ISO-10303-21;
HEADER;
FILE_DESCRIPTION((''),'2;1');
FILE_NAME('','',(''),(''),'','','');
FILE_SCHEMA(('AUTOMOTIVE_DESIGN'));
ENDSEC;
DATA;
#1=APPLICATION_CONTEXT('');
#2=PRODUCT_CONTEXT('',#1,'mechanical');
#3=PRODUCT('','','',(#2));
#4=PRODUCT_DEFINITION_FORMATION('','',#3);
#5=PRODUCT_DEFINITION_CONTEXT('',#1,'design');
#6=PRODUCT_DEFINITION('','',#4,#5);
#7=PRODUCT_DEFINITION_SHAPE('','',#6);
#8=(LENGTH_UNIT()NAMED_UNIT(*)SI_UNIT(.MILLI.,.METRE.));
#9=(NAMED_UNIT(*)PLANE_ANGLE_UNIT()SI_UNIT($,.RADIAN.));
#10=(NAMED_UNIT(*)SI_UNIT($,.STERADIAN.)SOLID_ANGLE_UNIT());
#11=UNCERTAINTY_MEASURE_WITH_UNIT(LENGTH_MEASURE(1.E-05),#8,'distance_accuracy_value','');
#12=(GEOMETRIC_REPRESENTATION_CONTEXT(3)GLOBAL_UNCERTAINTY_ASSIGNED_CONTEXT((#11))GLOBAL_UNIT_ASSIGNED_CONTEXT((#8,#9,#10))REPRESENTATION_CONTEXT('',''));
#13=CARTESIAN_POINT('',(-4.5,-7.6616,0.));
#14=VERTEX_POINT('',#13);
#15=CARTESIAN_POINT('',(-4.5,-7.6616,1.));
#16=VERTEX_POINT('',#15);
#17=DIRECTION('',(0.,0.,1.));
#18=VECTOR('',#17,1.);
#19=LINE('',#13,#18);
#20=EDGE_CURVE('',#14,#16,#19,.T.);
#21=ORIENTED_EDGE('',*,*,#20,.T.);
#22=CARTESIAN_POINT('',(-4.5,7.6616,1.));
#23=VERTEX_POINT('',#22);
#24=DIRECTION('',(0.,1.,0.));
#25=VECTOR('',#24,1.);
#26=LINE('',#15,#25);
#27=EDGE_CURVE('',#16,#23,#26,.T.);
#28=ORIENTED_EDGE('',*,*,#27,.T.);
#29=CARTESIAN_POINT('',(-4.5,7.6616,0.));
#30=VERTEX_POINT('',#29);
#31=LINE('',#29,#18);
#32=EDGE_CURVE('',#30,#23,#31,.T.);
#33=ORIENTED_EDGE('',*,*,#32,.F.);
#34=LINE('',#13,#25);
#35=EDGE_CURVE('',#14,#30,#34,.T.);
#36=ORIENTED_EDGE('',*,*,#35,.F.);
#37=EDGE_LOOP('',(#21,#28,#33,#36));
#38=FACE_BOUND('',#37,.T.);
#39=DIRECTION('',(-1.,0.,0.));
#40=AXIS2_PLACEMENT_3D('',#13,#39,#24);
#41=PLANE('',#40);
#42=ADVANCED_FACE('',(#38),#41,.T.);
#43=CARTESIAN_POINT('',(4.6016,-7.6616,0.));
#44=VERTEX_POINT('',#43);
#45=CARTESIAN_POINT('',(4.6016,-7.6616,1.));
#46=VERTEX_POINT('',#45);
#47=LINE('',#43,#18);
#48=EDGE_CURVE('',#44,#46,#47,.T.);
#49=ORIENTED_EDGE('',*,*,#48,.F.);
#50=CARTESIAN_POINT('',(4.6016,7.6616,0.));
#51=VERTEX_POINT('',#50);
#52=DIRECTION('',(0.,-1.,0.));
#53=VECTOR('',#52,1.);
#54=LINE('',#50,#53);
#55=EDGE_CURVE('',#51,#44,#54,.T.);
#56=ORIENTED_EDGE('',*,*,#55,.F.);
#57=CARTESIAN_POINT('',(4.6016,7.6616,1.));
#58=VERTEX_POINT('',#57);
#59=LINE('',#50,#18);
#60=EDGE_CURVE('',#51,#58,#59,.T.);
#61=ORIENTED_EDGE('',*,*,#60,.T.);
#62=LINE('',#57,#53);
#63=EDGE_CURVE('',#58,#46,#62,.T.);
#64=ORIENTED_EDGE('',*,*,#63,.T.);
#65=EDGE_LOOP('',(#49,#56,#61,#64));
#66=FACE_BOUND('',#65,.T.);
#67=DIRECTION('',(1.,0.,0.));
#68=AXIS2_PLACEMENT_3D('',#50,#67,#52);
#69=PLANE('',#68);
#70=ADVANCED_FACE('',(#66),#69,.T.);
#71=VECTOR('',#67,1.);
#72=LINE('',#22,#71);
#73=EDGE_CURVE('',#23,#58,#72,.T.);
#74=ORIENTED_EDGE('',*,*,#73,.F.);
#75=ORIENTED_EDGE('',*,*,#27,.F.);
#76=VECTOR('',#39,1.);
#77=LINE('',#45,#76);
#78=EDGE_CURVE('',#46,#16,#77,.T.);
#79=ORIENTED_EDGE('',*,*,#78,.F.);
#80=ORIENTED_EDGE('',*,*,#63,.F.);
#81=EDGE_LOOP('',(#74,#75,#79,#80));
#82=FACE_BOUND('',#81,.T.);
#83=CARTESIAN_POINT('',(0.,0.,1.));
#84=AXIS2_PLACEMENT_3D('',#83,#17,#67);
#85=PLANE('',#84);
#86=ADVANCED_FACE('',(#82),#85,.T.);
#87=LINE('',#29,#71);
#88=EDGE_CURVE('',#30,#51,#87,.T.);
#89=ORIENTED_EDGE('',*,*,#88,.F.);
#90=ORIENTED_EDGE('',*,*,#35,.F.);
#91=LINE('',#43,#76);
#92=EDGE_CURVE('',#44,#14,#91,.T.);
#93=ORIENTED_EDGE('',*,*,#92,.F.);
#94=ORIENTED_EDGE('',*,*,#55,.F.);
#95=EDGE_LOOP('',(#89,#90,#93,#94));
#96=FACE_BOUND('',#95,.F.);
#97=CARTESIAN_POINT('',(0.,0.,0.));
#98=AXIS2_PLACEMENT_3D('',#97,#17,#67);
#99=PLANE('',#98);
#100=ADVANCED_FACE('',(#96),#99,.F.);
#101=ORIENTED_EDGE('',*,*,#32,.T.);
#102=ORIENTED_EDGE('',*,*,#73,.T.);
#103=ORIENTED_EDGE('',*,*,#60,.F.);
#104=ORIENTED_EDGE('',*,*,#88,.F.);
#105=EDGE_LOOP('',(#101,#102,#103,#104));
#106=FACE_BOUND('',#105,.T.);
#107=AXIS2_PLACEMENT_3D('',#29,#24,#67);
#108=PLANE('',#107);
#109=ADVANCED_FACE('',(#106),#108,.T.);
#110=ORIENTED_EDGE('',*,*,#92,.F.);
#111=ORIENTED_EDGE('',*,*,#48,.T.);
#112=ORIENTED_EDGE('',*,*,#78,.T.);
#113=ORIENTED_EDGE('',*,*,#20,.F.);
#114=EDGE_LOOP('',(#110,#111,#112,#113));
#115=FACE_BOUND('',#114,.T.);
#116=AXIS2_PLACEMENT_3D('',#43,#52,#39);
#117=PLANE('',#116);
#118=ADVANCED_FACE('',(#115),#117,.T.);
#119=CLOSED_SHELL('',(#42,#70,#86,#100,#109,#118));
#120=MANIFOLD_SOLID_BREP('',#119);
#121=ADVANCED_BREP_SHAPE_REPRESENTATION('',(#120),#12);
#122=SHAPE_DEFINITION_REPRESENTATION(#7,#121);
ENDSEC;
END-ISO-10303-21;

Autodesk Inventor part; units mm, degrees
ref_plane "YZ Plane" through (0, 0, 0) normal (1, 0, 0) x (0, 1, 0)
ref_plane "XZ Plane" through (0, 0, 0) normal (0, 1, 0) x (-1, 0, 0)
ref_plane "XY Plane" through (0, 0, 0) normal (0, 0, 1) x (1, 0, 0)
sketch "2X3-SHROUDED, J4_2X3-SHROUDED_39" plane through (0, 0, 0) normal (0, 0, 1) x (1, 0, 0)
  line L0 (-4.5, 7.6616) -> (4.6016, 7.6616)
  line L1 (4.6016, 7.6616) -> (4.6016, -7.6616)
  line L2 (4.6016, -7.6616) -> (-4.5, -7.6616)
  line L3 (-4.5, -7.6616) -> (-4.5, 7.6616)
extrude "Extrusion1" add sketch "2X3-SHROUDED, J4_2X3-SHROUDED_39" along normal blind 1
properties part number "J4_2X3-SHROUDED"
